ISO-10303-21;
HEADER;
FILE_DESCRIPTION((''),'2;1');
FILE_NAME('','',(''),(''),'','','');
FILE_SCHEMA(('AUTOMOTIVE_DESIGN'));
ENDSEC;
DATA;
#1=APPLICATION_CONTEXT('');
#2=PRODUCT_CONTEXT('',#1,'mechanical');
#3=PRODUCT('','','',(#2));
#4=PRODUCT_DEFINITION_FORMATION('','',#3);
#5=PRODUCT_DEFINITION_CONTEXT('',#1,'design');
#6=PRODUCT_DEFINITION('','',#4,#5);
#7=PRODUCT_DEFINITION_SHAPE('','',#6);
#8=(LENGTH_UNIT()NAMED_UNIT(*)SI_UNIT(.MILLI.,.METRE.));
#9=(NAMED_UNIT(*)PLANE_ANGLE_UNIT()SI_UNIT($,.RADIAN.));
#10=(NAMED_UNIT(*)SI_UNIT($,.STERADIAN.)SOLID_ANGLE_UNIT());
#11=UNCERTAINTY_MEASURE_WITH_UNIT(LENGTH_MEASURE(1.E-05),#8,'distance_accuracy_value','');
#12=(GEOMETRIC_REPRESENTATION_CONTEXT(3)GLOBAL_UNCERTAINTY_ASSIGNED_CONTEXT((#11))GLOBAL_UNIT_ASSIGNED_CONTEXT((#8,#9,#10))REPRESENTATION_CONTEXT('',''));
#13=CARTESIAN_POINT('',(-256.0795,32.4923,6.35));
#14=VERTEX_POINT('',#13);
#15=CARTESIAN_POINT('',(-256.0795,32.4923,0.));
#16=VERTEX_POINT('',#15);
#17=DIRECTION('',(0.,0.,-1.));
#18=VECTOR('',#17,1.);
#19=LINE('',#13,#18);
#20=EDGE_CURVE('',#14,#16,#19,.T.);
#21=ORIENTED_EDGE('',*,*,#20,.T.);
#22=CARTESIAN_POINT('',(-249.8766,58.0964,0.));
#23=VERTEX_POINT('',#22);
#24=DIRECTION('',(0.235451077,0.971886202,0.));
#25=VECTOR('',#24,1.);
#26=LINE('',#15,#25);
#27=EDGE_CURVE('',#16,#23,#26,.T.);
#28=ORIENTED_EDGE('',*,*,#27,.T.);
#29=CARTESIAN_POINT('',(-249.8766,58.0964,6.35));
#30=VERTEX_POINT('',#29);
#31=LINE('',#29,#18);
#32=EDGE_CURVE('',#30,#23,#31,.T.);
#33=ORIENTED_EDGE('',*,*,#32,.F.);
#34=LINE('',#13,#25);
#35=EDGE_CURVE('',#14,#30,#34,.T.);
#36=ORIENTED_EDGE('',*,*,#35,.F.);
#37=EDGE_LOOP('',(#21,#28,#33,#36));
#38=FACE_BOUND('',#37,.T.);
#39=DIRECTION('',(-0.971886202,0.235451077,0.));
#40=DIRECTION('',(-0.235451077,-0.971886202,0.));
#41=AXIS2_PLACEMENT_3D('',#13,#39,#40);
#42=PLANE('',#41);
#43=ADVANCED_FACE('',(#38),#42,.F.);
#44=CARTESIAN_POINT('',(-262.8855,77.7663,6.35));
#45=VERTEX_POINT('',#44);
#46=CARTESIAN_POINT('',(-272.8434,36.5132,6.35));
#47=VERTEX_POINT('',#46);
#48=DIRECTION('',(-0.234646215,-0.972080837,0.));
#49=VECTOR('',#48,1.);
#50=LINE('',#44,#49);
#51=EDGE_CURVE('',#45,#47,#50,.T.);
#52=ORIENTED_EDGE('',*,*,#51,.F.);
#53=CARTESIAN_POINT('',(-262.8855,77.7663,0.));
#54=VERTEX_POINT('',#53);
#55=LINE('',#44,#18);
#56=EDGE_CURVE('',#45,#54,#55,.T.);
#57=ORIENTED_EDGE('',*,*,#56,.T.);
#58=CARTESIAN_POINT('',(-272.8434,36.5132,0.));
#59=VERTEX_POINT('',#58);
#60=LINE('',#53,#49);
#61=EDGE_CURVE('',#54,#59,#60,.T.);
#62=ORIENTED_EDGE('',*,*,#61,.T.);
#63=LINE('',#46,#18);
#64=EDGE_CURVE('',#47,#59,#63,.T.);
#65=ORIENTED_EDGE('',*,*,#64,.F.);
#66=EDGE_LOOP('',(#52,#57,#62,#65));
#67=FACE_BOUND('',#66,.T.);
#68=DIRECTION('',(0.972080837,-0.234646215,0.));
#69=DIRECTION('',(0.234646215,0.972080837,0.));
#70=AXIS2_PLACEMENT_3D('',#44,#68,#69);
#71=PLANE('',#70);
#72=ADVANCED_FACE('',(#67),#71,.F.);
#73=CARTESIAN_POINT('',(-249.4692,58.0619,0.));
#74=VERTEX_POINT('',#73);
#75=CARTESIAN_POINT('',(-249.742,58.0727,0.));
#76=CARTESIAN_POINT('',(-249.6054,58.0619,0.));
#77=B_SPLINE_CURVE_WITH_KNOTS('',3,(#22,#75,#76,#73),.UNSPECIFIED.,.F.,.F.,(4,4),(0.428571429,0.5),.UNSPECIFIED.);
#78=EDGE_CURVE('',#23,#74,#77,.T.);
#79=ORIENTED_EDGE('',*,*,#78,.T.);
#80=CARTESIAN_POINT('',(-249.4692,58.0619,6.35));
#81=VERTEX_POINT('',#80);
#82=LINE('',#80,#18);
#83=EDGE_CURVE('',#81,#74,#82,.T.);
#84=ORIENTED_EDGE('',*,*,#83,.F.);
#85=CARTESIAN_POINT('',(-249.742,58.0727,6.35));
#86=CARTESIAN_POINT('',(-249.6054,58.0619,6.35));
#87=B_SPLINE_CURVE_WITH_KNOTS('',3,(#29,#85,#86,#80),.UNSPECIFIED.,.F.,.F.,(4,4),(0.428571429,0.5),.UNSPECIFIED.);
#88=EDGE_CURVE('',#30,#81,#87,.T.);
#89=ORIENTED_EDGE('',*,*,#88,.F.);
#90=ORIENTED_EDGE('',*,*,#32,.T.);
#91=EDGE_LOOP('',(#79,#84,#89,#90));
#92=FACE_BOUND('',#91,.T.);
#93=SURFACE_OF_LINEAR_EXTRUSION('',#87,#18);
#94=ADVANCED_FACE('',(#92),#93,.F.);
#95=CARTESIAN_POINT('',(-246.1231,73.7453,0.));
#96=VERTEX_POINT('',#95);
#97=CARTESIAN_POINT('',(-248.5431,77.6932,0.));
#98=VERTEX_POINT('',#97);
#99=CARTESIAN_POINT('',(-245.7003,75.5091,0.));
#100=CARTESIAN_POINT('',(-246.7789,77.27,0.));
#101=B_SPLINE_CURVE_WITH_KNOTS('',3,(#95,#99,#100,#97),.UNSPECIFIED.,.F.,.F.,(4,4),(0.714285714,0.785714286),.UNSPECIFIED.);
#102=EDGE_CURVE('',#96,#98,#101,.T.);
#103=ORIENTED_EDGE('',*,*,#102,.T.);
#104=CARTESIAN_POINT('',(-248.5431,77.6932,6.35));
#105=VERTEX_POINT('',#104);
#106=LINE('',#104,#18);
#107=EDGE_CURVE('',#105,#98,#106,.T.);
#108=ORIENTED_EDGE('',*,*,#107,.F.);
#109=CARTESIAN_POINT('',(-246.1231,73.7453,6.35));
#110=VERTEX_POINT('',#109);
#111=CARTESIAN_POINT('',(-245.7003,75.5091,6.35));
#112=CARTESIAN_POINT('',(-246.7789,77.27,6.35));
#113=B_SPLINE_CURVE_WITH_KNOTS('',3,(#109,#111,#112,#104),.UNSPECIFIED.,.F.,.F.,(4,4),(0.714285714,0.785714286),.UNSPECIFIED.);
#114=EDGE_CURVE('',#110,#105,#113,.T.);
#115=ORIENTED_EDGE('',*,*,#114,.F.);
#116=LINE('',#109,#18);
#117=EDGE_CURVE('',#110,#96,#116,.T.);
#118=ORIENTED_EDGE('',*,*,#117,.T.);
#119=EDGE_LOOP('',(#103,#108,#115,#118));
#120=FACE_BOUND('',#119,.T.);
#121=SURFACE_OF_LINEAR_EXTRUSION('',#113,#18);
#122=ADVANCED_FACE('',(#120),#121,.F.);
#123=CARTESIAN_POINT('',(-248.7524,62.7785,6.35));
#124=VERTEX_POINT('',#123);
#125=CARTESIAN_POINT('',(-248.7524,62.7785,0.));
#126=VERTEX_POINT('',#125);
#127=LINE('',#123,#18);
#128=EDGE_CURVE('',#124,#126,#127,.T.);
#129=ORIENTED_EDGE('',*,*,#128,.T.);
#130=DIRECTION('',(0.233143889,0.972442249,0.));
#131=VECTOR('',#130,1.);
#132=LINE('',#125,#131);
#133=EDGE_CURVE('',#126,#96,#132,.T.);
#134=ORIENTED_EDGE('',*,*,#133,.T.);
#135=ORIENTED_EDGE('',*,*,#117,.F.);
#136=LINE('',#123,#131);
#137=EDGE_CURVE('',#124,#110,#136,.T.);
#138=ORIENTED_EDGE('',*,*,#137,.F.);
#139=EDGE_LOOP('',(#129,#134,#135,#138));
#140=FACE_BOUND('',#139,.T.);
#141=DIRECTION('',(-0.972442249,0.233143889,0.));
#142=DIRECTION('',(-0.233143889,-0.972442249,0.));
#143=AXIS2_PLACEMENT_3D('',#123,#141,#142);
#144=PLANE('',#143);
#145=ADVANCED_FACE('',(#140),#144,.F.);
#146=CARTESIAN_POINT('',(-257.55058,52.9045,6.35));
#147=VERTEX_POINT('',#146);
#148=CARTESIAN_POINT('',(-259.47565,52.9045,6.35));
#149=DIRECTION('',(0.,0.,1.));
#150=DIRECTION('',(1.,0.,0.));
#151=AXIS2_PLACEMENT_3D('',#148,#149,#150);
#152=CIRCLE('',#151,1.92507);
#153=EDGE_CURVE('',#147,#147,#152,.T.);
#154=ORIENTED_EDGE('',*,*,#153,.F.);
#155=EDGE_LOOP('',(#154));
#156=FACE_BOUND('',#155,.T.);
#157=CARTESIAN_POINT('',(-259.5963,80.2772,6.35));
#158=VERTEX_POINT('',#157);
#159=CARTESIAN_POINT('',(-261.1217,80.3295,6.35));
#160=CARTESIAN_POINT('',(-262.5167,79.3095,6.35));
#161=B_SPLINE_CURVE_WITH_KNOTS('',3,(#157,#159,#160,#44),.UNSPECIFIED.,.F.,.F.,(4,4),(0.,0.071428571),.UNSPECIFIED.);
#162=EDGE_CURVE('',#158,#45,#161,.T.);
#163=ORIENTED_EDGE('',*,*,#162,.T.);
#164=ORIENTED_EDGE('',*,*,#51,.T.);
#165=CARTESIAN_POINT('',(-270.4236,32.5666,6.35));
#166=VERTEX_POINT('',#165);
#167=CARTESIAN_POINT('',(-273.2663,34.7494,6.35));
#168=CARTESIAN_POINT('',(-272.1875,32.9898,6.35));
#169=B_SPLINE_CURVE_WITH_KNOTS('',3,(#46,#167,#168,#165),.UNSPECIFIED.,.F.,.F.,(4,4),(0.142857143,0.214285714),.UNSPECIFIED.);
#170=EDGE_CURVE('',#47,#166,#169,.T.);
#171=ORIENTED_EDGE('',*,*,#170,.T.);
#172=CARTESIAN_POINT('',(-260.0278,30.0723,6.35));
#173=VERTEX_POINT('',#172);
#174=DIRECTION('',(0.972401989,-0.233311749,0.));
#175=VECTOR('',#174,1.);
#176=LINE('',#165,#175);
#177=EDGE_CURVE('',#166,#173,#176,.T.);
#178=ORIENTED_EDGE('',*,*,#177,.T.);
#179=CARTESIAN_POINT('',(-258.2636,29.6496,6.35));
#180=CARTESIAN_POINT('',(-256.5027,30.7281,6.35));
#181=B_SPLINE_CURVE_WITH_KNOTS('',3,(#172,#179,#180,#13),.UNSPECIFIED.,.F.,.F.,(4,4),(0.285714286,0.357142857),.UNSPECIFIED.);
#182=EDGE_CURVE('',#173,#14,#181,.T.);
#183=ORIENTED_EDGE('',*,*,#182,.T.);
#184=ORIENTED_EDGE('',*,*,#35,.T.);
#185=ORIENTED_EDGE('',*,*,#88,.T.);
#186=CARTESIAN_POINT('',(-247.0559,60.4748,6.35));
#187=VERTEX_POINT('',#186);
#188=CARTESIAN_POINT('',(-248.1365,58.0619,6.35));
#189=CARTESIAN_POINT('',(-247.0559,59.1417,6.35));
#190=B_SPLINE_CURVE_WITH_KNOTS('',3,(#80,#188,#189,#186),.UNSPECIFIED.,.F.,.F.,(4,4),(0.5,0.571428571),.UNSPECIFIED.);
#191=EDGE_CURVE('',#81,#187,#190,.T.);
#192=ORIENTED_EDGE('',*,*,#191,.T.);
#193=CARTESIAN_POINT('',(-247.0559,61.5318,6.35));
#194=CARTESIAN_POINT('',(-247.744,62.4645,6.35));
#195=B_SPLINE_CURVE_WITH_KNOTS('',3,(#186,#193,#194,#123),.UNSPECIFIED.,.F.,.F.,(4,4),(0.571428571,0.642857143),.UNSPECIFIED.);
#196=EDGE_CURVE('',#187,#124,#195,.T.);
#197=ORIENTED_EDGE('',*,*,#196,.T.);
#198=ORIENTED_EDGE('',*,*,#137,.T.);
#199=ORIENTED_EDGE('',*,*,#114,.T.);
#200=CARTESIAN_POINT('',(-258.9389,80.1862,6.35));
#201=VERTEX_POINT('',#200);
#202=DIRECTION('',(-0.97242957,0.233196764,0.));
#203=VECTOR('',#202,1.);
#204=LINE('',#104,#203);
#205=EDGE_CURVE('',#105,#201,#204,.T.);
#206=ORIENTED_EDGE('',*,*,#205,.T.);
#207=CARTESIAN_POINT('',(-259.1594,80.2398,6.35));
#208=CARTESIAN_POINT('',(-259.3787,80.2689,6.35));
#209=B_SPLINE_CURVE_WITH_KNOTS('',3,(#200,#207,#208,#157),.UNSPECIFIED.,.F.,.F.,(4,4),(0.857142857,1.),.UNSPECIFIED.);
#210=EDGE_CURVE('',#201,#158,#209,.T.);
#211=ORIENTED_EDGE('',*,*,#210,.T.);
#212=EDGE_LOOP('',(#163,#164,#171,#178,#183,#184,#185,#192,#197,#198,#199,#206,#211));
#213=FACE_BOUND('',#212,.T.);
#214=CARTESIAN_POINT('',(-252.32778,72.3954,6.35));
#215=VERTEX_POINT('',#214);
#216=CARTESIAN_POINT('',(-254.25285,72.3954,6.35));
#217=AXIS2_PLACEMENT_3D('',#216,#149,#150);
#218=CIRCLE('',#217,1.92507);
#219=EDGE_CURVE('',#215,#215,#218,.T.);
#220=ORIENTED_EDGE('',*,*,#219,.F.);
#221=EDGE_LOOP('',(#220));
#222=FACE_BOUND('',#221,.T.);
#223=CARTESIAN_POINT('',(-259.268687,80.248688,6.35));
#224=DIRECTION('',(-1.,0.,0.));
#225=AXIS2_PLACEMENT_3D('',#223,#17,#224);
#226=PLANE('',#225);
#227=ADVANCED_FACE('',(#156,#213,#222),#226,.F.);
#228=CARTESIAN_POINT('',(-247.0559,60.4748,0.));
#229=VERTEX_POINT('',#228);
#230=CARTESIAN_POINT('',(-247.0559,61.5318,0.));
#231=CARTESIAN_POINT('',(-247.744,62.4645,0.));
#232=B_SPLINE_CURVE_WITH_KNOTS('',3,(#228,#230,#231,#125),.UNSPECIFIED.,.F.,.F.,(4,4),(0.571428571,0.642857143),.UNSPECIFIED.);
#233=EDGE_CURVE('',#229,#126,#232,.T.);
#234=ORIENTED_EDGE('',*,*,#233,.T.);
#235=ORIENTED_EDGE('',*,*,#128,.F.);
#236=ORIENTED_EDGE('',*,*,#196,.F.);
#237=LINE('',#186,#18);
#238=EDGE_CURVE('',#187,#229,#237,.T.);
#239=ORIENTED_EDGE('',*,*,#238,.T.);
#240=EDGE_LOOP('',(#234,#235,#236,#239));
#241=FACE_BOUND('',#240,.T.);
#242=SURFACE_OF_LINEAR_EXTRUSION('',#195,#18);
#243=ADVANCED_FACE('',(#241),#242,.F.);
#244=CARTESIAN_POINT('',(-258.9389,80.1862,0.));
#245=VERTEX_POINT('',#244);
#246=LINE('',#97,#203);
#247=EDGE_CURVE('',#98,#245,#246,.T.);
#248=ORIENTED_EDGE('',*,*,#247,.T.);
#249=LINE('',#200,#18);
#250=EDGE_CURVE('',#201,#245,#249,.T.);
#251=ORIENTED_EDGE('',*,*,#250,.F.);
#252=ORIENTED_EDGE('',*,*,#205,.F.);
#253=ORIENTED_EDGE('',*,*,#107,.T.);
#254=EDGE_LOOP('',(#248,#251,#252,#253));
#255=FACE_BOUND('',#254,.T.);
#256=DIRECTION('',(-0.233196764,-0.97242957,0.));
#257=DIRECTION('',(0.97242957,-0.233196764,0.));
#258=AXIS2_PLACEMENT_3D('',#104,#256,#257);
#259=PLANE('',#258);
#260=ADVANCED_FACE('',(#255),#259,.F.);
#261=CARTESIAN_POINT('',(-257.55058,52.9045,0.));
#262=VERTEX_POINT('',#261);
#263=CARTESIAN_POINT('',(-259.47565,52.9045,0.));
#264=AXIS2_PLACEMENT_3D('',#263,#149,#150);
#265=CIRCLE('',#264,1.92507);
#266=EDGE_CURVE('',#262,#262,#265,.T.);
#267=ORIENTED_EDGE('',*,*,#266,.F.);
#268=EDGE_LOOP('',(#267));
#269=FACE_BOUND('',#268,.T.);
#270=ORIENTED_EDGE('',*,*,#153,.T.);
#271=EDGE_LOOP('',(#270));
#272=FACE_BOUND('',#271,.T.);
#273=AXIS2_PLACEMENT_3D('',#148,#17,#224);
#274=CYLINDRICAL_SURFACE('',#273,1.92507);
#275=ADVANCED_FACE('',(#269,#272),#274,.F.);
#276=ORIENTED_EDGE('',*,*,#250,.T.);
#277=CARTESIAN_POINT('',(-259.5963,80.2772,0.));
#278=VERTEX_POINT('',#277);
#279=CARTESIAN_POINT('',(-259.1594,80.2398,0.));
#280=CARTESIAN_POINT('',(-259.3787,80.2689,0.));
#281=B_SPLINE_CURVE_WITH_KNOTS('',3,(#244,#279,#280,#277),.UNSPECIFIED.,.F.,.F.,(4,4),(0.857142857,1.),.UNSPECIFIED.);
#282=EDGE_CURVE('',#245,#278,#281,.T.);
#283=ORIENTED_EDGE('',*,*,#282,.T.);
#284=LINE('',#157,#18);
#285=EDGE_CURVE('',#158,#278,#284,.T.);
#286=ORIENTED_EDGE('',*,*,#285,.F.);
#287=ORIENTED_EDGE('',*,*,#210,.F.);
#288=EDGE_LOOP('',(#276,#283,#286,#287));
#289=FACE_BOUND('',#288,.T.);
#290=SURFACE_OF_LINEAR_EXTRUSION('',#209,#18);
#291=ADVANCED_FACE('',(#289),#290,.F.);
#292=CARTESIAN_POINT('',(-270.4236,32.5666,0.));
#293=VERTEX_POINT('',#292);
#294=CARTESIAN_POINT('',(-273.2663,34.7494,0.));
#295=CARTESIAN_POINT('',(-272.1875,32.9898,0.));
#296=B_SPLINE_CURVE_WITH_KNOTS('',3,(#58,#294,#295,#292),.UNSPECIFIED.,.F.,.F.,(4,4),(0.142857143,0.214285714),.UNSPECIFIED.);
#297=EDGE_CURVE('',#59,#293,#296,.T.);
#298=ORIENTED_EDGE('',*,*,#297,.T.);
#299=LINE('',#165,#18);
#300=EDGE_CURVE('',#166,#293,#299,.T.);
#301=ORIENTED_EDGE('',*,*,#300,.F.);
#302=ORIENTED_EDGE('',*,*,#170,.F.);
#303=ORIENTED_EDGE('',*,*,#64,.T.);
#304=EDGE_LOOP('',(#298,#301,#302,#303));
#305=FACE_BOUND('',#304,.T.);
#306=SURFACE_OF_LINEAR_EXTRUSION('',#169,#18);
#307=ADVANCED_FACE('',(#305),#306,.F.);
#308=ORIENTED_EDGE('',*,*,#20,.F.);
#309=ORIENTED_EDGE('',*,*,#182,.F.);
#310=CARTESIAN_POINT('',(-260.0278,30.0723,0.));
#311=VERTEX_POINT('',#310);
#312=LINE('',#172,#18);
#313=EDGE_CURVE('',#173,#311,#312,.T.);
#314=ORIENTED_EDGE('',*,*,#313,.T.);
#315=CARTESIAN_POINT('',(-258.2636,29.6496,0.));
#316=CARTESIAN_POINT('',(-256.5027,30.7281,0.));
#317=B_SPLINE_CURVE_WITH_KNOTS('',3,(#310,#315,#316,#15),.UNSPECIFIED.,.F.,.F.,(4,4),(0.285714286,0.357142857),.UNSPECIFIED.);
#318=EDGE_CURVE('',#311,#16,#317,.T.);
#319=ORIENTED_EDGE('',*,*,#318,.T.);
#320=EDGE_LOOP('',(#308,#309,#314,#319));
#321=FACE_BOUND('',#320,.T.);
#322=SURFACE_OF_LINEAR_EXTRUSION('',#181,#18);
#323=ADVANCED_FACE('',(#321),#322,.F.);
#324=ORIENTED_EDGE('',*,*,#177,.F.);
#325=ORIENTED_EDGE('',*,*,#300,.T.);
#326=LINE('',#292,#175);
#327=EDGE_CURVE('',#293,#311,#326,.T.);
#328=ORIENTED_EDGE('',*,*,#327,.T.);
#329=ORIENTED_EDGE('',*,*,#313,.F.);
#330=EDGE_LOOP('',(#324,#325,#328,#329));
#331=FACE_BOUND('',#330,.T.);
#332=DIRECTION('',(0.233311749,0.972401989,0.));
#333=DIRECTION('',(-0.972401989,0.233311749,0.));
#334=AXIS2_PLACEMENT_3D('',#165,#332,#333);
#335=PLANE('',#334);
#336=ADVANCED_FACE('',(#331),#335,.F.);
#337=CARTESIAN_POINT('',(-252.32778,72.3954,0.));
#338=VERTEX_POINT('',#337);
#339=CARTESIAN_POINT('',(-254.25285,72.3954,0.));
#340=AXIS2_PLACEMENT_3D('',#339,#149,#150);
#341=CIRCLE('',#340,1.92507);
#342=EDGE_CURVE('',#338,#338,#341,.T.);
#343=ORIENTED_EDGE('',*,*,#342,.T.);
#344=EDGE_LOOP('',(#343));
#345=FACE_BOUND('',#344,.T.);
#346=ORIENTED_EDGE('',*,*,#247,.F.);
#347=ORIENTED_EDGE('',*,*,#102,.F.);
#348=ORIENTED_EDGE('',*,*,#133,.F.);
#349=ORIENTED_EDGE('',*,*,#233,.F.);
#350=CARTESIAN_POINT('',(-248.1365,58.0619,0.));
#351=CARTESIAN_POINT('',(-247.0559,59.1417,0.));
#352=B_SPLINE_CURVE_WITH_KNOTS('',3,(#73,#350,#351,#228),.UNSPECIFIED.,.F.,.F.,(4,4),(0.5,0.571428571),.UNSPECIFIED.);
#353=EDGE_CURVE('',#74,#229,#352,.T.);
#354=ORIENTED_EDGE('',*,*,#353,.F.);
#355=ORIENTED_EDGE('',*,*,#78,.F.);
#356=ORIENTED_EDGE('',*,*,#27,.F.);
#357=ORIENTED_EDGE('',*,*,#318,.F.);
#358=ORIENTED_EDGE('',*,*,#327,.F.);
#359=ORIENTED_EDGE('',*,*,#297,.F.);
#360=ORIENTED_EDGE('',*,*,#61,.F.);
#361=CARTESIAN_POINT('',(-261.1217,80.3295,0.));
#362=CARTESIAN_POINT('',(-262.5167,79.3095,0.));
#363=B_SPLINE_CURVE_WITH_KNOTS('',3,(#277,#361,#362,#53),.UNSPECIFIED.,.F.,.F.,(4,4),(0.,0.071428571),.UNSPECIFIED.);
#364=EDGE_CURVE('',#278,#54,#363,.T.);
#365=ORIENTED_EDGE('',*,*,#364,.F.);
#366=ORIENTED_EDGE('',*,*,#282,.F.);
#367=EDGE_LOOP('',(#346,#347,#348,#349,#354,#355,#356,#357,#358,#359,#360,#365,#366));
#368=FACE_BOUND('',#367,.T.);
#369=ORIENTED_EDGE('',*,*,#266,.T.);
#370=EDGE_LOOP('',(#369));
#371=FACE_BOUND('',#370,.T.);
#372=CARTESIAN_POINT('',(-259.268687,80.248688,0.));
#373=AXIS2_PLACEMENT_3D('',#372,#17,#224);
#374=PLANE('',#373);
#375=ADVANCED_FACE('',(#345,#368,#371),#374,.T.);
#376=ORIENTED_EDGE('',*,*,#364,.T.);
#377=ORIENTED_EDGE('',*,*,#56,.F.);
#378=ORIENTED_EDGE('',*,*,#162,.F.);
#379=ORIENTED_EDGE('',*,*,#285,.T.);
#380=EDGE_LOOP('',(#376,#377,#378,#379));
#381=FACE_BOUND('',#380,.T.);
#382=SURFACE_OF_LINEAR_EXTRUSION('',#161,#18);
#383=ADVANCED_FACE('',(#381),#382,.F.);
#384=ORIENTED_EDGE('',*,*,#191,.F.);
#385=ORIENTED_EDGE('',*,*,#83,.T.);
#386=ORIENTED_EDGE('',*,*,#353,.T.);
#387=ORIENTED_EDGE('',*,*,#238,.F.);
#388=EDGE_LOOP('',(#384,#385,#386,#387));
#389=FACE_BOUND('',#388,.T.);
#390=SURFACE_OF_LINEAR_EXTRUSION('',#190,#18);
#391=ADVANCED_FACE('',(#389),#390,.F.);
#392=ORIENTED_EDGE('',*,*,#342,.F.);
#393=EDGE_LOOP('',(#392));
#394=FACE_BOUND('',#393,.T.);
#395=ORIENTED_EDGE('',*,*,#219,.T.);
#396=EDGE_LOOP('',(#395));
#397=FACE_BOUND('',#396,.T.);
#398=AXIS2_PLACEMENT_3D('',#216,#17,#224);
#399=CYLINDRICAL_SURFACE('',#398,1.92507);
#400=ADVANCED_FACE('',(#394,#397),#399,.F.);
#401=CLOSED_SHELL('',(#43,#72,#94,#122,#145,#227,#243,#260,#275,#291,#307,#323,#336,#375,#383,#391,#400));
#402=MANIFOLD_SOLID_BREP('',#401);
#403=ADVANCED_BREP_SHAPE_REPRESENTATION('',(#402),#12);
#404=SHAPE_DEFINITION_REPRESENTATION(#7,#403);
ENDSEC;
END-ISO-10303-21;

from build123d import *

# Parameters (mm, degrees)
MODEL_R             = 1.925069784
BOSS_EXTRUDE1_DEPTH = 6.35


with BuildPart() as part:
    # Model → Boss-Extrude1 (new body)
    with BuildSketch(Plane.XY):
        with BuildLine():
            Line((-262.8855, 77.7663), (-272.8434, 36.5132))
            add(Edge.make_bspline(
                [(-272.8434, 36.5132), (-273.2663, 34.7494), (-272.1875, 32.9898), (-270.4236, 32.5666)],
                knots=[0.142857143, 0.142857143, 0.142857143, 0.142857143, 0.214285714, 0.214285714, 0.214285714, 0.214285714], degree=3))
            Line((-270.4236, 32.5666), (-260.0278, 30.0723))
            add(Edge.make_bspline(
                [(-260.0278, 30.0723), (-258.2636, 29.6496), (-256.5027, 30.7281), (-256.0795, 32.4923)],
                knots=[0.285714286, 0.285714286, 0.285714286, 0.285714286, 0.357142857, 0.357142857, 0.357142857, 0.357142857], degree=3))
            Line((-256.0795, 32.4923), (-249.8766, 58.0964))
            add(Edge.make_bspline(
                [(-249.8766, 58.0964), (-249.742, 58.0727), (-249.6054, 58.0619), (-249.4692, 58.0619)],
                knots=[0.428571429, 0.428571429, 0.428571429, 0.428571429, 0.5, 0.5, 0.5, 0.5], degree=3))
            add(Edge.make_bspline(
                [(-249.4692, 58.0619), (-248.1365, 58.0619), (-247.0559, 59.1417), (-247.0559, 60.4748)],
                knots=[0.5, 0.5, 0.5, 0.5, 0.571428571, 0.571428571, 0.571428571, 0.571428571], degree=3))
            add(Edge.make_bspline(
                [(-247.0559, 60.4748), (-247.0559, 61.5318), (-247.744, 62.4645), (-248.7524, 62.7785)],
                knots=[0.571428571, 0.571428571, 0.571428571, 0.571428571, 0.642857143, 0.642857143, 0.642857143, 0.642857143], degree=3))
            Line((-248.7524, 62.7785), (-246.1231, 73.7453))
            add(Edge.make_bspline(
                [(-246.1231, 73.7453), (-245.7003, 75.5091), (-246.7789, 77.27), (-248.5431, 77.6932)],
                knots=[0.714285714, 0.714285714, 0.714285714, 0.714285714, 0.785714286, 0.785714286, 0.785714286, 0.785714286], degree=3))
            Line((-248.5431, 77.6932), (-258.9389, 80.1862))
            add(Edge.make_bspline(
                [(-258.9389, 80.1862), (-259.1594, 80.2398), (-259.3787, 80.2689), (-259.5963, 80.2772)],
                knots=[0.857142857, 0.857142857, 0.857142857, 0.857142857, 1, 1, 1, 1], degree=3))
            add(Edge.make_bspline(
                [(-259.5963, 80.2772), (-261.1217, 80.3295), (-262.5167, 79.3095), (-262.8855, 77.7663)],
                knots=[0, 0, 0, 0, 0.071428571, 0.071428571, 0.071428571, 0.071428571], degree=3))
        make_face()
        with Locations((-254.25285, 72.3954)):
            Circle(MODEL_R, mode=Mode.SUBTRACT)
        with Locations((-259.47565, 52.9045)):
            Circle(MODEL_R, mode=Mode.SUBTRACT)
    extrude(amount=BOSS_EXTRUDE1_DEPTH)


solid = part.part
